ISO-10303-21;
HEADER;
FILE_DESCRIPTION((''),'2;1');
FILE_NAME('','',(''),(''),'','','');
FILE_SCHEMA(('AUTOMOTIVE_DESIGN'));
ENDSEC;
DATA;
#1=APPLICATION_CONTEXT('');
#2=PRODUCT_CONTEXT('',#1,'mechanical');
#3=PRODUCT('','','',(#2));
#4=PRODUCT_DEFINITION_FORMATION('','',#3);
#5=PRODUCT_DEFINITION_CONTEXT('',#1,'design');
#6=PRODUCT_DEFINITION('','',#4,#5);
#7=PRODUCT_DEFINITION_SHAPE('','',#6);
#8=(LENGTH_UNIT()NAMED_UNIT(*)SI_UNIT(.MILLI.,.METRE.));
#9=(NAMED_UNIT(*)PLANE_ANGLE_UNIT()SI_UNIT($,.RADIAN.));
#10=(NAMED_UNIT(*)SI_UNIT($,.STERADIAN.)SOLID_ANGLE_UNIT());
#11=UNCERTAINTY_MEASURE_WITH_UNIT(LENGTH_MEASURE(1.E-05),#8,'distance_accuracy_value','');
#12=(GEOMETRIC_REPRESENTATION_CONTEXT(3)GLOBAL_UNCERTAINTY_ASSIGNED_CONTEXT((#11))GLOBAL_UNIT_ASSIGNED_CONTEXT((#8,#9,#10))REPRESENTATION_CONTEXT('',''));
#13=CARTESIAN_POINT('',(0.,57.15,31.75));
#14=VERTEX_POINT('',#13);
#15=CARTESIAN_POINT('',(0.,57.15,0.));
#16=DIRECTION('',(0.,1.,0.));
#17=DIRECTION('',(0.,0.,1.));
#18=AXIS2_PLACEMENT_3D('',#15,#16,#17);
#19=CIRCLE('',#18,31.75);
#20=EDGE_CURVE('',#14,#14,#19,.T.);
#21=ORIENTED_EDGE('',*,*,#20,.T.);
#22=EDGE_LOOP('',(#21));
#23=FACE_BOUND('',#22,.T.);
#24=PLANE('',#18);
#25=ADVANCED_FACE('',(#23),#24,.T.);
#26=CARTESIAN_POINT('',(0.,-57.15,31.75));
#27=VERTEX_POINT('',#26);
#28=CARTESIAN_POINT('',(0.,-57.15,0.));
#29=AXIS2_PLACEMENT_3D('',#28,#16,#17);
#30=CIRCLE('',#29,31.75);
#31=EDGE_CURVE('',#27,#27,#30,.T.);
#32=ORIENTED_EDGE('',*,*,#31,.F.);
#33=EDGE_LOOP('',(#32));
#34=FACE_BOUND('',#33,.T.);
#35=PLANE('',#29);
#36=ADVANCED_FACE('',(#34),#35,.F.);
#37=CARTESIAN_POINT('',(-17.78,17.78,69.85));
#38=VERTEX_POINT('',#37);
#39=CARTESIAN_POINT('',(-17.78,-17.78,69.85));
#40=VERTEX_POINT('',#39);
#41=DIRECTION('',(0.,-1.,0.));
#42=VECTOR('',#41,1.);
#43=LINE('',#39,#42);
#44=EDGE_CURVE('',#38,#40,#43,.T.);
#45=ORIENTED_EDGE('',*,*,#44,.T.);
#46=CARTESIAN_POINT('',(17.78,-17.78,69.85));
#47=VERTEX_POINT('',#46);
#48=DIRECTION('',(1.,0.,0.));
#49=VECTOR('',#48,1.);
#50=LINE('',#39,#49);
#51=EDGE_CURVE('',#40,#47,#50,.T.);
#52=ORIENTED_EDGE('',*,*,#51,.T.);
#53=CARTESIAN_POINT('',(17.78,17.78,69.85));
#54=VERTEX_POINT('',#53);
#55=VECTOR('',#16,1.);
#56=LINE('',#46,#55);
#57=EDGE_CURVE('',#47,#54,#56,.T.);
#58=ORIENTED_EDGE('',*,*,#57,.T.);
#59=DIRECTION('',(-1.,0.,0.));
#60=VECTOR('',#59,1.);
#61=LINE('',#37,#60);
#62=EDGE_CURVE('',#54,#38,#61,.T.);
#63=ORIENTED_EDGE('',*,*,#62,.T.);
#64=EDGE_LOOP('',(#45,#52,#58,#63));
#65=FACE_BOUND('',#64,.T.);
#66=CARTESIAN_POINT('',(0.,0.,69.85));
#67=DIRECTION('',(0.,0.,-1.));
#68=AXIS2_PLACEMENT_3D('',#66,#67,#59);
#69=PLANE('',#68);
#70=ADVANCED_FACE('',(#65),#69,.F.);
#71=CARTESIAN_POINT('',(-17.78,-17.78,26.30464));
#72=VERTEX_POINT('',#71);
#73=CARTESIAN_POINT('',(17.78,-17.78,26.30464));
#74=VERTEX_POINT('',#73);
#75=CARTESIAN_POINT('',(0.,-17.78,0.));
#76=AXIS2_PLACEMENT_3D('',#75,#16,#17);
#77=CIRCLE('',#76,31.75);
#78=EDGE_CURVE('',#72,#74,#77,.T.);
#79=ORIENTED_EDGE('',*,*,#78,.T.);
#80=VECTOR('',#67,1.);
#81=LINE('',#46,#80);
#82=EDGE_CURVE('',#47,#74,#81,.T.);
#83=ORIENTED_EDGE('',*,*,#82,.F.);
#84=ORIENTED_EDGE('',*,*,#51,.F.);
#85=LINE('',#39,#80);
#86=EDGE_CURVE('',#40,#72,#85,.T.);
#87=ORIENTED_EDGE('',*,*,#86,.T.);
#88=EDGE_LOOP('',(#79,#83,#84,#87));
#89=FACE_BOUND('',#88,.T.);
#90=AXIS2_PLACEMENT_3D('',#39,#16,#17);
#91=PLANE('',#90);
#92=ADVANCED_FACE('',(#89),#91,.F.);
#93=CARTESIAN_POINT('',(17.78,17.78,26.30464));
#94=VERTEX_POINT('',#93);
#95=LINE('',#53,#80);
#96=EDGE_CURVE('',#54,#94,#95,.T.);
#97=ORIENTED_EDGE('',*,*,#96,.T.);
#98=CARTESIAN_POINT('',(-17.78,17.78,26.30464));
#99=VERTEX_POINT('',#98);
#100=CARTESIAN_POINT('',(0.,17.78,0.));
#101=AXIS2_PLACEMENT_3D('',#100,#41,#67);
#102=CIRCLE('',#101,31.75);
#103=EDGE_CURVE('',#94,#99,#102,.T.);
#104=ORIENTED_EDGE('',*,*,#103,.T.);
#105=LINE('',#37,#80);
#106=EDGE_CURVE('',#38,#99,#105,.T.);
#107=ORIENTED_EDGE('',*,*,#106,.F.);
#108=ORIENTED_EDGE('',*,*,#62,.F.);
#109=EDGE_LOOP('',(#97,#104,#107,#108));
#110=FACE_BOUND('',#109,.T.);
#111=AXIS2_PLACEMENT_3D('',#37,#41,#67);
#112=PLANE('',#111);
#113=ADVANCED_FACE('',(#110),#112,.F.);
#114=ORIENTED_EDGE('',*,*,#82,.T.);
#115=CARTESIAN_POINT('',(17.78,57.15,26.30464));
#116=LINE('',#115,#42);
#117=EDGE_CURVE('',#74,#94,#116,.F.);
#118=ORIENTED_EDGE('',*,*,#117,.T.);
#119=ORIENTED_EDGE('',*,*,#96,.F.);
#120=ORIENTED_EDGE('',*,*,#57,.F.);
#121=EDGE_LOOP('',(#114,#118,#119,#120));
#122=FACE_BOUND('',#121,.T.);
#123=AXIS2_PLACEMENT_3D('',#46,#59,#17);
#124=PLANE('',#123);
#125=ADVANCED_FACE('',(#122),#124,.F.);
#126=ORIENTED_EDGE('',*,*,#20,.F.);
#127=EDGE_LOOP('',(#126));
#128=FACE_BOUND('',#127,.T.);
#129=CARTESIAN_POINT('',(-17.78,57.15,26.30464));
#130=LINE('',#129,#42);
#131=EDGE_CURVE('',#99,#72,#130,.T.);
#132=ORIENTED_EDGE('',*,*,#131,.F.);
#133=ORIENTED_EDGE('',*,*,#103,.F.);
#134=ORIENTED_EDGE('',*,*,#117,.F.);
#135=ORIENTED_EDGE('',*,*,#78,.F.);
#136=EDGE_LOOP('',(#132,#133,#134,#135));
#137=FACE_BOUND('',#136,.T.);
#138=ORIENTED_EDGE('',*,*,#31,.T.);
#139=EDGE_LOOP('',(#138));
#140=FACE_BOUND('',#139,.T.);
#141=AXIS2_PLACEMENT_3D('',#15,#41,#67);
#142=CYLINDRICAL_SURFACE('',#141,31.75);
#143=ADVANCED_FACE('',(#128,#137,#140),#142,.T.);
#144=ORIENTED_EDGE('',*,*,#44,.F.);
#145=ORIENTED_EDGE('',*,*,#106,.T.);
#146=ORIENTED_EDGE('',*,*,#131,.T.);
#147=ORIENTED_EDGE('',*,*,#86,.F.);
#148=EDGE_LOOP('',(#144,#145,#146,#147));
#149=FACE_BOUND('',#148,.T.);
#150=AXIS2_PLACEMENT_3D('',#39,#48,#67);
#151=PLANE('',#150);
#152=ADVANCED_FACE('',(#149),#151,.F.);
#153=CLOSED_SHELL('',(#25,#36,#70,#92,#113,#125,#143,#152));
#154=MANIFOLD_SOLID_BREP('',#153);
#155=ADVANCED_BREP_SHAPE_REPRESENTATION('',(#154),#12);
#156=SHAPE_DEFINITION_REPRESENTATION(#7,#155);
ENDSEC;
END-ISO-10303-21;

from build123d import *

# Parameters (mm, degrees)
SKETCH2_R           = 31.75
BOSS_EXTRUDE1_DEPTH = 57.15
SKETCH3_W           = 35.56
SKETCH3_H           = 35.56
BOSS_EXTRUDE2_DEPTH = 69.85


with BuildPart() as part:
    # Sketch2 → Boss-Extrude1 (new, symmetric)
    with BuildSketch(Plane(origin=(0, 0, 0), x_dir=(1, 0, 0), z_dir=(0, 1, 0))):
        with Locations(Location((0, 0, 0), (0, 0, 270))):
            Circle(SKETCH2_R)
    extrude(amount=BOSS_EXTRUDE1_DEPTH, both=True)

    # Sketch3 → Boss-Extrude2 (add)
    with BuildSketch(Plane.XY):
        Rectangle(SKETCH3_W, SKETCH3_H)
    extrude(amount=BOSS_EXTRUDE2_DEPTH)


solid = part.part
